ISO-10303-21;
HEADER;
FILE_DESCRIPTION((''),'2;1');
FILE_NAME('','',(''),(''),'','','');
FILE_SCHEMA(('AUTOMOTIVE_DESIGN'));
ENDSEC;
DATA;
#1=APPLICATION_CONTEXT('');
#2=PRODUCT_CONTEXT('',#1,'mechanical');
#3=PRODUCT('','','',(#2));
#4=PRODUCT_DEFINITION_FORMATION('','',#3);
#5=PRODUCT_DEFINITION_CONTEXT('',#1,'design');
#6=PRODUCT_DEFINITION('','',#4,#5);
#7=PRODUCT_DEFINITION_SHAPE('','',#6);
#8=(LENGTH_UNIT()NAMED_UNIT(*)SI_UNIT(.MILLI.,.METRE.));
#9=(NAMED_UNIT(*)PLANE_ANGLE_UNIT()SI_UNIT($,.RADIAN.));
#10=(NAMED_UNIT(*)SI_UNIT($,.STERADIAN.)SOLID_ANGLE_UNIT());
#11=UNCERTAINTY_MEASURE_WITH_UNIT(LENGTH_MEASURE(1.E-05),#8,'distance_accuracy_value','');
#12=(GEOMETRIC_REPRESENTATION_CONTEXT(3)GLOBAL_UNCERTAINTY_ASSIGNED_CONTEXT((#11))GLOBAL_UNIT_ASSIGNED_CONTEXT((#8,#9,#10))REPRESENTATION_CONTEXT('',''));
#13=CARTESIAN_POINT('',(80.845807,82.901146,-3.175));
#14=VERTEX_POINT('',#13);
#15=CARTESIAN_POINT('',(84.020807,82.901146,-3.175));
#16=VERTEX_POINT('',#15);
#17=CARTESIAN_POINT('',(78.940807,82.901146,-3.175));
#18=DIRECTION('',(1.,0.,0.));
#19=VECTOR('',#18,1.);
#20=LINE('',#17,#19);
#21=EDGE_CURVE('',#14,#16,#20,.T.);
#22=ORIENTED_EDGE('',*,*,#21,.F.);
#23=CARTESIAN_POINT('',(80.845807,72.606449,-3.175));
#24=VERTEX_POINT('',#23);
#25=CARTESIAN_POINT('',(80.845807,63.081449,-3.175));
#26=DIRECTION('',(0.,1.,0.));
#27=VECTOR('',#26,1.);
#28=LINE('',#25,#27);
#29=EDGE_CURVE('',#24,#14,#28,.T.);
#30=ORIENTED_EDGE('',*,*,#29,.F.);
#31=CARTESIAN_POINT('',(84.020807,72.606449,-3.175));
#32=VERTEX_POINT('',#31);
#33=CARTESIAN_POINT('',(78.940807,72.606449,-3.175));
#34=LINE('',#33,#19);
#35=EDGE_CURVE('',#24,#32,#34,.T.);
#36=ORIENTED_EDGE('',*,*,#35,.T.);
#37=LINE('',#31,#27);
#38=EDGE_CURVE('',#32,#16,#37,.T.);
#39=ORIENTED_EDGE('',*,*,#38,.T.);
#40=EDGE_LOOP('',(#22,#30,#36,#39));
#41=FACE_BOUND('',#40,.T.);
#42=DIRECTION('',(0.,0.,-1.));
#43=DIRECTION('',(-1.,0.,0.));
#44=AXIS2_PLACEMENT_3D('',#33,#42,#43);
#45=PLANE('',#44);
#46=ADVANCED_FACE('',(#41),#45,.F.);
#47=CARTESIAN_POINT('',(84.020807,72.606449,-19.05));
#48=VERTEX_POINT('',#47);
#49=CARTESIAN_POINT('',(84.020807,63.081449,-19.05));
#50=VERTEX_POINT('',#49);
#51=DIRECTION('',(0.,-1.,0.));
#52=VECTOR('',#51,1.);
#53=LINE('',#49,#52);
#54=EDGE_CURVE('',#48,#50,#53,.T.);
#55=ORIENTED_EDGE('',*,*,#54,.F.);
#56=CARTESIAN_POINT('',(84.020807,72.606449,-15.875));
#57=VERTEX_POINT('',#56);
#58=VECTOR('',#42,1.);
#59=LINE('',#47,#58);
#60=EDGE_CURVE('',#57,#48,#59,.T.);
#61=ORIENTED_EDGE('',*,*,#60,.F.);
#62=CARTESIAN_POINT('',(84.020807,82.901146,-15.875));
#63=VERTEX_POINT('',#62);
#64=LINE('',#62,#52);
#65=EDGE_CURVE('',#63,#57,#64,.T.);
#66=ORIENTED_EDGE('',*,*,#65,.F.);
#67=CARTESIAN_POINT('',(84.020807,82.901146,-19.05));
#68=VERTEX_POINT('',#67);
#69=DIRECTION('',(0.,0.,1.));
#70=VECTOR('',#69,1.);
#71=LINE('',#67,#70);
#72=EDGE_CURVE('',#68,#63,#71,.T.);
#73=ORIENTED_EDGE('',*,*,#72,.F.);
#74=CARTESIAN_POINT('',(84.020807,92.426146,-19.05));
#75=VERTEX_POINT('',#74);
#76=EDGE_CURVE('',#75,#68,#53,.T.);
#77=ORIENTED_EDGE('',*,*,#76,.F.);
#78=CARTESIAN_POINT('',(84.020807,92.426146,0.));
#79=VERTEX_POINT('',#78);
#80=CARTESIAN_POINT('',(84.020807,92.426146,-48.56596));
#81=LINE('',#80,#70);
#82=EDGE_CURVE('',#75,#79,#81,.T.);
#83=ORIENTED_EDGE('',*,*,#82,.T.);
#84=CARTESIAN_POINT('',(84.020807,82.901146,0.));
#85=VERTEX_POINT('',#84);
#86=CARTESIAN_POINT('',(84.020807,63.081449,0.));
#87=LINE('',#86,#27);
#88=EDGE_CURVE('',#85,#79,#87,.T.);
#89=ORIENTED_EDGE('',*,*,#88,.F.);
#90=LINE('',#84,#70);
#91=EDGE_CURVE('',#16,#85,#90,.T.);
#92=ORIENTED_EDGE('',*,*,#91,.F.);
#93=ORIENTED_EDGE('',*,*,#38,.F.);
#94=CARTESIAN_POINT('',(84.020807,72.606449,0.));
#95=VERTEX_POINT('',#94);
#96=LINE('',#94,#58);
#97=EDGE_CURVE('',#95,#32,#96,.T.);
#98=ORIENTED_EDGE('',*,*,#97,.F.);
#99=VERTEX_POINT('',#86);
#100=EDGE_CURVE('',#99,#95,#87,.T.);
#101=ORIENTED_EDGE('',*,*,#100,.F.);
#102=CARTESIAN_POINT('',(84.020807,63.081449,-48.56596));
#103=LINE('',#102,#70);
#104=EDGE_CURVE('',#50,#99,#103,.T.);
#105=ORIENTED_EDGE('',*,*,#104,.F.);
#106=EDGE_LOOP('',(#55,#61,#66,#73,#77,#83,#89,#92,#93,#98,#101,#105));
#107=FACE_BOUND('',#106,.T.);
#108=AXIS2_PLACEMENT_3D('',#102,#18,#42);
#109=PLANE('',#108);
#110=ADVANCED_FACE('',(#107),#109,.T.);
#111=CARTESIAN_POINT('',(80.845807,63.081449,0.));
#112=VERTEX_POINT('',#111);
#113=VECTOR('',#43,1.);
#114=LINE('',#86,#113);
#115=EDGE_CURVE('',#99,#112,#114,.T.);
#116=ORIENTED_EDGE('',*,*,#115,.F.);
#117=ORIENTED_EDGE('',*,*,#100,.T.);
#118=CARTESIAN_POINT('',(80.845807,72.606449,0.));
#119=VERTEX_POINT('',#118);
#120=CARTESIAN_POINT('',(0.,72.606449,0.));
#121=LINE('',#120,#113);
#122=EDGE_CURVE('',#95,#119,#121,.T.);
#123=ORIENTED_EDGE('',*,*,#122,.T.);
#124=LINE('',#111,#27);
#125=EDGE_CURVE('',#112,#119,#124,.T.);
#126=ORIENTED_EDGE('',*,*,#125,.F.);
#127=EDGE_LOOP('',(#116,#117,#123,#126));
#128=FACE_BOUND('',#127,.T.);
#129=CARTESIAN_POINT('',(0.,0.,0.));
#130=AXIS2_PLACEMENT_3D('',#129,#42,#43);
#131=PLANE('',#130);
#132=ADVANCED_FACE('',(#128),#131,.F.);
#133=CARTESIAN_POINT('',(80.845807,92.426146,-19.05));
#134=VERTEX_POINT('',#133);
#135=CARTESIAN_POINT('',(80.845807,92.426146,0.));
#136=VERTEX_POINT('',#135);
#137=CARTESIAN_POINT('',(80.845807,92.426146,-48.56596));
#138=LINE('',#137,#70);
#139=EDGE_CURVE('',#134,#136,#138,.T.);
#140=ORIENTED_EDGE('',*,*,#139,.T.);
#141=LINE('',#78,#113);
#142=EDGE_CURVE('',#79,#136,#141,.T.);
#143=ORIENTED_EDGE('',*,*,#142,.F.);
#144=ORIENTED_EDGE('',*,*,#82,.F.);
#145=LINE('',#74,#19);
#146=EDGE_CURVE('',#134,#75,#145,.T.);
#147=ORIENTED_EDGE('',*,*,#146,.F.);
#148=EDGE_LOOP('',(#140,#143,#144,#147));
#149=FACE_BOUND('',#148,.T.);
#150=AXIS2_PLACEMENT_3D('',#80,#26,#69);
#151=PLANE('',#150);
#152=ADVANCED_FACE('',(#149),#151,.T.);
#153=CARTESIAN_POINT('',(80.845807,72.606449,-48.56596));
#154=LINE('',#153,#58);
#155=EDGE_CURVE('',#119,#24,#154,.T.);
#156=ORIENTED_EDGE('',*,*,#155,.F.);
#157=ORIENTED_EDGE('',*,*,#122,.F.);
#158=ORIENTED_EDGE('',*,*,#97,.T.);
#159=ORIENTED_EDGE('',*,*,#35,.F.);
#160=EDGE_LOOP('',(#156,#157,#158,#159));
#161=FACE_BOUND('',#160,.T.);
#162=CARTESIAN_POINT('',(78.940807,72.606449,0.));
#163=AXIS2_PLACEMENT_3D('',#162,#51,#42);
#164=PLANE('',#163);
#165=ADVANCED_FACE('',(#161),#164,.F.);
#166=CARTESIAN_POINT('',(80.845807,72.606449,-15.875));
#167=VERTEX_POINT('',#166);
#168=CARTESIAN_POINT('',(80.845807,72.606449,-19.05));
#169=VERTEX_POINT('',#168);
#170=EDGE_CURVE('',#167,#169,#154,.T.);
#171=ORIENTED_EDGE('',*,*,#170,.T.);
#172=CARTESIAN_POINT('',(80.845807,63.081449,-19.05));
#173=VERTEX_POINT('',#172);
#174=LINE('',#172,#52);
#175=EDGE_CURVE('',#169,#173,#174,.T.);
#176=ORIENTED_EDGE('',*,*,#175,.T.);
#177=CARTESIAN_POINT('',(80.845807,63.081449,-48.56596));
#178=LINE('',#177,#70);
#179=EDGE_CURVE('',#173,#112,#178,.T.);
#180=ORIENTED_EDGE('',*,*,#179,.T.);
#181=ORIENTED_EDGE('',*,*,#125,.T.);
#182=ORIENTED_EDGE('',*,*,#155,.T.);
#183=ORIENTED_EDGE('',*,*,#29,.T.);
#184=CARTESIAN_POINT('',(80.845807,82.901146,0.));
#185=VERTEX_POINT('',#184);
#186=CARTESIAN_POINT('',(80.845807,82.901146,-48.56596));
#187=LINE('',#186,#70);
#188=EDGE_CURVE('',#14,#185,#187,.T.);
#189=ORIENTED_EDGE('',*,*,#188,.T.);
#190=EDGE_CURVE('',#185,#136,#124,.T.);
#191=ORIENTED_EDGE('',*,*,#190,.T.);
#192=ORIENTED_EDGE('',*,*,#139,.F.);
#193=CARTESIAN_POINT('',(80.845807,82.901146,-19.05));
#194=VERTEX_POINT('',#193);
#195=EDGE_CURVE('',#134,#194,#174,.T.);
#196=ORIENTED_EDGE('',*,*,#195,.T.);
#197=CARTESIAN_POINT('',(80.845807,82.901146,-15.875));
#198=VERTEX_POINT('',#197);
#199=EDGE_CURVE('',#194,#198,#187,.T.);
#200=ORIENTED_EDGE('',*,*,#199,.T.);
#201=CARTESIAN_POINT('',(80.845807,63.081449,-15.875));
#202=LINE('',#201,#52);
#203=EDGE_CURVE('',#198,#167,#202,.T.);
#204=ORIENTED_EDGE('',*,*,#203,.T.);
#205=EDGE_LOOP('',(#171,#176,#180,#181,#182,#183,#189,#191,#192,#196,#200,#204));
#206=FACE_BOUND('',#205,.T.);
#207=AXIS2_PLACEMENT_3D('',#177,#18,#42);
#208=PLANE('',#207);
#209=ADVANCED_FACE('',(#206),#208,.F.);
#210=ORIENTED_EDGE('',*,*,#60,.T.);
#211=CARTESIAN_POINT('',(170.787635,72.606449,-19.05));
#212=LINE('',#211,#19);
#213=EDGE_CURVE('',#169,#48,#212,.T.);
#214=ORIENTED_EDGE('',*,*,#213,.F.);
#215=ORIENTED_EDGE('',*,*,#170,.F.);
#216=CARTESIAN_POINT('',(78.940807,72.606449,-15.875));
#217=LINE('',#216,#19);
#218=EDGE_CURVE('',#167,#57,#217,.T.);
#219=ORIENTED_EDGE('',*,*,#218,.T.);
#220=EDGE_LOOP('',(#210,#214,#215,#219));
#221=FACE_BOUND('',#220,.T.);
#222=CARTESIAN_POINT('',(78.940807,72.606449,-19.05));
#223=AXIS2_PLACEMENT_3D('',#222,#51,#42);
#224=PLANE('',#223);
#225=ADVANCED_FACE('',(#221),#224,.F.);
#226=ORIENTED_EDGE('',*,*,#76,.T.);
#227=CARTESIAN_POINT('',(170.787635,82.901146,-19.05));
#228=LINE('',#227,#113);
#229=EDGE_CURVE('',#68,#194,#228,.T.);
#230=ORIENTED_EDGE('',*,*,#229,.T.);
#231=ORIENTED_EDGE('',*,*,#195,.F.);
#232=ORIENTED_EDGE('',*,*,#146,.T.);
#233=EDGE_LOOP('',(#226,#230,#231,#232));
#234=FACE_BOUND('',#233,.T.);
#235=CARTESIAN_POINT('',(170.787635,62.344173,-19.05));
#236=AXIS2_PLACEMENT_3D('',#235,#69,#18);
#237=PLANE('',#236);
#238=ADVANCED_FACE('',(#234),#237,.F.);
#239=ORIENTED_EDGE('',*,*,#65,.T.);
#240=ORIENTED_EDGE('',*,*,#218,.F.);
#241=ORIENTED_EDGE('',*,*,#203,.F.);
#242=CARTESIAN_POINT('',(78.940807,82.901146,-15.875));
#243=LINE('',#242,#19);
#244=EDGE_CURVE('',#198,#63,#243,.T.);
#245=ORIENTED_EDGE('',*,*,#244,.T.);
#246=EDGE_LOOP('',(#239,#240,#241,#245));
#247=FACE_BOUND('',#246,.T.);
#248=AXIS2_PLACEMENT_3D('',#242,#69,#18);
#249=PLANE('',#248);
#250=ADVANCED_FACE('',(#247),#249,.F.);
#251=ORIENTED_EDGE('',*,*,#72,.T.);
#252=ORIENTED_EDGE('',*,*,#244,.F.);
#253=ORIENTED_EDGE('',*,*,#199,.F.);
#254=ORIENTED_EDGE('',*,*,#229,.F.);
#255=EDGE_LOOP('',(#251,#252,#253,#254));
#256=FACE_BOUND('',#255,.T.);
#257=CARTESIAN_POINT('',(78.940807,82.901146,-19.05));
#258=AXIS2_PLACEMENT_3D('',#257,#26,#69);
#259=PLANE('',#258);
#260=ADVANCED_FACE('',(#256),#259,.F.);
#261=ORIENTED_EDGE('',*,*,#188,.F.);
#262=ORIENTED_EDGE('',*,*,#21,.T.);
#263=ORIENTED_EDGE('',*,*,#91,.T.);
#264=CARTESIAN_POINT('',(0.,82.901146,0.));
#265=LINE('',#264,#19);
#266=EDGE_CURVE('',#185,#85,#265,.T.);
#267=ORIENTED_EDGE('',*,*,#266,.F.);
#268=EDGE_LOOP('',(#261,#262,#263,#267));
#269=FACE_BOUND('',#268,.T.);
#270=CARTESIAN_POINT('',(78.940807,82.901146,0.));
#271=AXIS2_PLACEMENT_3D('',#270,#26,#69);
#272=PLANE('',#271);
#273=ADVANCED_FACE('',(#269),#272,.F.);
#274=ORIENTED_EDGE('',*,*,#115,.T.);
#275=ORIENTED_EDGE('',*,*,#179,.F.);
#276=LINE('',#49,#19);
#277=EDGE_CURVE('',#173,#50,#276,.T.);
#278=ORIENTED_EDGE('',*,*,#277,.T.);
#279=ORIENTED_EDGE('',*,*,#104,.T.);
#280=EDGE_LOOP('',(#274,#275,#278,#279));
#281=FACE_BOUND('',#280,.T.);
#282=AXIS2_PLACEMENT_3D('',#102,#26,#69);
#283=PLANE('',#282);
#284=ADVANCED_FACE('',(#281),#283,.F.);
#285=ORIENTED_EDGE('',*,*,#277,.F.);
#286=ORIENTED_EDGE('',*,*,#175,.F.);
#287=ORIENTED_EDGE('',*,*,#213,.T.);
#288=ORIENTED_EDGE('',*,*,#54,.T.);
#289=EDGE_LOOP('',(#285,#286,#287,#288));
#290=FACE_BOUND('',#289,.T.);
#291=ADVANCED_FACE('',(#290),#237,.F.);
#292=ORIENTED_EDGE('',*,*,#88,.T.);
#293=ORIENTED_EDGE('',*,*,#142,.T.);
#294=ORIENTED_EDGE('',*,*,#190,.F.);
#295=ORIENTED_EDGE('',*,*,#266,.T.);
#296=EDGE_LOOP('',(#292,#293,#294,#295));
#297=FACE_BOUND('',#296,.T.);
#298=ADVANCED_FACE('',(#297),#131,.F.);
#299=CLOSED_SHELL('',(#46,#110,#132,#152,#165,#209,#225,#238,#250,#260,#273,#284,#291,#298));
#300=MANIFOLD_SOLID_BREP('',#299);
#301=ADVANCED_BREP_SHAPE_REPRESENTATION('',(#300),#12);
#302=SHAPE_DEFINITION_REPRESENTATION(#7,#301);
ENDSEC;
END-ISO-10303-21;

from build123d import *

# Parameters (mm, degrees)
SKETCH1_W           = 3.175
SKETCH1_H           = 29.34469697
BOSS_EXTRUDE1_DEPTH = 19.05
SKETCH2_W           = 3.175
SKETCH2_H           = 10.29469697
CUT_EXTRUDE1_DEPTH  = 5.08


with BuildPart() as part:
    # Sketch1 → Boss-Extrude1 (new body)
    with BuildSketch(Plane.XY):
        with Locations((82.43330737, 77.753797109)):
            Rectangle(SKETCH1_W, SKETCH1_H)
    extrude(amount=-BOSS_EXTRUDE1_DEPTH)

    # Sketch2 → Cut-Extrude1 (cut)
    with BuildSketch(Plane(origin=(84.02080737, 0, 0), x_dir=(0, 0, -1), z_dir=(1, 0, 0))):
        with Locations((1.5875, 77.753797109)):
            Rectangle(SKETCH2_W, SKETCH2_H)
        with Locations((17.4625, 77.753797109)):
            Rectangle(SKETCH2_W, SKETCH2_H)
    extrude(amount=-CUT_EXTRUDE1_DEPTH, mode=Mode.SUBTRACT)


solid = part.part
